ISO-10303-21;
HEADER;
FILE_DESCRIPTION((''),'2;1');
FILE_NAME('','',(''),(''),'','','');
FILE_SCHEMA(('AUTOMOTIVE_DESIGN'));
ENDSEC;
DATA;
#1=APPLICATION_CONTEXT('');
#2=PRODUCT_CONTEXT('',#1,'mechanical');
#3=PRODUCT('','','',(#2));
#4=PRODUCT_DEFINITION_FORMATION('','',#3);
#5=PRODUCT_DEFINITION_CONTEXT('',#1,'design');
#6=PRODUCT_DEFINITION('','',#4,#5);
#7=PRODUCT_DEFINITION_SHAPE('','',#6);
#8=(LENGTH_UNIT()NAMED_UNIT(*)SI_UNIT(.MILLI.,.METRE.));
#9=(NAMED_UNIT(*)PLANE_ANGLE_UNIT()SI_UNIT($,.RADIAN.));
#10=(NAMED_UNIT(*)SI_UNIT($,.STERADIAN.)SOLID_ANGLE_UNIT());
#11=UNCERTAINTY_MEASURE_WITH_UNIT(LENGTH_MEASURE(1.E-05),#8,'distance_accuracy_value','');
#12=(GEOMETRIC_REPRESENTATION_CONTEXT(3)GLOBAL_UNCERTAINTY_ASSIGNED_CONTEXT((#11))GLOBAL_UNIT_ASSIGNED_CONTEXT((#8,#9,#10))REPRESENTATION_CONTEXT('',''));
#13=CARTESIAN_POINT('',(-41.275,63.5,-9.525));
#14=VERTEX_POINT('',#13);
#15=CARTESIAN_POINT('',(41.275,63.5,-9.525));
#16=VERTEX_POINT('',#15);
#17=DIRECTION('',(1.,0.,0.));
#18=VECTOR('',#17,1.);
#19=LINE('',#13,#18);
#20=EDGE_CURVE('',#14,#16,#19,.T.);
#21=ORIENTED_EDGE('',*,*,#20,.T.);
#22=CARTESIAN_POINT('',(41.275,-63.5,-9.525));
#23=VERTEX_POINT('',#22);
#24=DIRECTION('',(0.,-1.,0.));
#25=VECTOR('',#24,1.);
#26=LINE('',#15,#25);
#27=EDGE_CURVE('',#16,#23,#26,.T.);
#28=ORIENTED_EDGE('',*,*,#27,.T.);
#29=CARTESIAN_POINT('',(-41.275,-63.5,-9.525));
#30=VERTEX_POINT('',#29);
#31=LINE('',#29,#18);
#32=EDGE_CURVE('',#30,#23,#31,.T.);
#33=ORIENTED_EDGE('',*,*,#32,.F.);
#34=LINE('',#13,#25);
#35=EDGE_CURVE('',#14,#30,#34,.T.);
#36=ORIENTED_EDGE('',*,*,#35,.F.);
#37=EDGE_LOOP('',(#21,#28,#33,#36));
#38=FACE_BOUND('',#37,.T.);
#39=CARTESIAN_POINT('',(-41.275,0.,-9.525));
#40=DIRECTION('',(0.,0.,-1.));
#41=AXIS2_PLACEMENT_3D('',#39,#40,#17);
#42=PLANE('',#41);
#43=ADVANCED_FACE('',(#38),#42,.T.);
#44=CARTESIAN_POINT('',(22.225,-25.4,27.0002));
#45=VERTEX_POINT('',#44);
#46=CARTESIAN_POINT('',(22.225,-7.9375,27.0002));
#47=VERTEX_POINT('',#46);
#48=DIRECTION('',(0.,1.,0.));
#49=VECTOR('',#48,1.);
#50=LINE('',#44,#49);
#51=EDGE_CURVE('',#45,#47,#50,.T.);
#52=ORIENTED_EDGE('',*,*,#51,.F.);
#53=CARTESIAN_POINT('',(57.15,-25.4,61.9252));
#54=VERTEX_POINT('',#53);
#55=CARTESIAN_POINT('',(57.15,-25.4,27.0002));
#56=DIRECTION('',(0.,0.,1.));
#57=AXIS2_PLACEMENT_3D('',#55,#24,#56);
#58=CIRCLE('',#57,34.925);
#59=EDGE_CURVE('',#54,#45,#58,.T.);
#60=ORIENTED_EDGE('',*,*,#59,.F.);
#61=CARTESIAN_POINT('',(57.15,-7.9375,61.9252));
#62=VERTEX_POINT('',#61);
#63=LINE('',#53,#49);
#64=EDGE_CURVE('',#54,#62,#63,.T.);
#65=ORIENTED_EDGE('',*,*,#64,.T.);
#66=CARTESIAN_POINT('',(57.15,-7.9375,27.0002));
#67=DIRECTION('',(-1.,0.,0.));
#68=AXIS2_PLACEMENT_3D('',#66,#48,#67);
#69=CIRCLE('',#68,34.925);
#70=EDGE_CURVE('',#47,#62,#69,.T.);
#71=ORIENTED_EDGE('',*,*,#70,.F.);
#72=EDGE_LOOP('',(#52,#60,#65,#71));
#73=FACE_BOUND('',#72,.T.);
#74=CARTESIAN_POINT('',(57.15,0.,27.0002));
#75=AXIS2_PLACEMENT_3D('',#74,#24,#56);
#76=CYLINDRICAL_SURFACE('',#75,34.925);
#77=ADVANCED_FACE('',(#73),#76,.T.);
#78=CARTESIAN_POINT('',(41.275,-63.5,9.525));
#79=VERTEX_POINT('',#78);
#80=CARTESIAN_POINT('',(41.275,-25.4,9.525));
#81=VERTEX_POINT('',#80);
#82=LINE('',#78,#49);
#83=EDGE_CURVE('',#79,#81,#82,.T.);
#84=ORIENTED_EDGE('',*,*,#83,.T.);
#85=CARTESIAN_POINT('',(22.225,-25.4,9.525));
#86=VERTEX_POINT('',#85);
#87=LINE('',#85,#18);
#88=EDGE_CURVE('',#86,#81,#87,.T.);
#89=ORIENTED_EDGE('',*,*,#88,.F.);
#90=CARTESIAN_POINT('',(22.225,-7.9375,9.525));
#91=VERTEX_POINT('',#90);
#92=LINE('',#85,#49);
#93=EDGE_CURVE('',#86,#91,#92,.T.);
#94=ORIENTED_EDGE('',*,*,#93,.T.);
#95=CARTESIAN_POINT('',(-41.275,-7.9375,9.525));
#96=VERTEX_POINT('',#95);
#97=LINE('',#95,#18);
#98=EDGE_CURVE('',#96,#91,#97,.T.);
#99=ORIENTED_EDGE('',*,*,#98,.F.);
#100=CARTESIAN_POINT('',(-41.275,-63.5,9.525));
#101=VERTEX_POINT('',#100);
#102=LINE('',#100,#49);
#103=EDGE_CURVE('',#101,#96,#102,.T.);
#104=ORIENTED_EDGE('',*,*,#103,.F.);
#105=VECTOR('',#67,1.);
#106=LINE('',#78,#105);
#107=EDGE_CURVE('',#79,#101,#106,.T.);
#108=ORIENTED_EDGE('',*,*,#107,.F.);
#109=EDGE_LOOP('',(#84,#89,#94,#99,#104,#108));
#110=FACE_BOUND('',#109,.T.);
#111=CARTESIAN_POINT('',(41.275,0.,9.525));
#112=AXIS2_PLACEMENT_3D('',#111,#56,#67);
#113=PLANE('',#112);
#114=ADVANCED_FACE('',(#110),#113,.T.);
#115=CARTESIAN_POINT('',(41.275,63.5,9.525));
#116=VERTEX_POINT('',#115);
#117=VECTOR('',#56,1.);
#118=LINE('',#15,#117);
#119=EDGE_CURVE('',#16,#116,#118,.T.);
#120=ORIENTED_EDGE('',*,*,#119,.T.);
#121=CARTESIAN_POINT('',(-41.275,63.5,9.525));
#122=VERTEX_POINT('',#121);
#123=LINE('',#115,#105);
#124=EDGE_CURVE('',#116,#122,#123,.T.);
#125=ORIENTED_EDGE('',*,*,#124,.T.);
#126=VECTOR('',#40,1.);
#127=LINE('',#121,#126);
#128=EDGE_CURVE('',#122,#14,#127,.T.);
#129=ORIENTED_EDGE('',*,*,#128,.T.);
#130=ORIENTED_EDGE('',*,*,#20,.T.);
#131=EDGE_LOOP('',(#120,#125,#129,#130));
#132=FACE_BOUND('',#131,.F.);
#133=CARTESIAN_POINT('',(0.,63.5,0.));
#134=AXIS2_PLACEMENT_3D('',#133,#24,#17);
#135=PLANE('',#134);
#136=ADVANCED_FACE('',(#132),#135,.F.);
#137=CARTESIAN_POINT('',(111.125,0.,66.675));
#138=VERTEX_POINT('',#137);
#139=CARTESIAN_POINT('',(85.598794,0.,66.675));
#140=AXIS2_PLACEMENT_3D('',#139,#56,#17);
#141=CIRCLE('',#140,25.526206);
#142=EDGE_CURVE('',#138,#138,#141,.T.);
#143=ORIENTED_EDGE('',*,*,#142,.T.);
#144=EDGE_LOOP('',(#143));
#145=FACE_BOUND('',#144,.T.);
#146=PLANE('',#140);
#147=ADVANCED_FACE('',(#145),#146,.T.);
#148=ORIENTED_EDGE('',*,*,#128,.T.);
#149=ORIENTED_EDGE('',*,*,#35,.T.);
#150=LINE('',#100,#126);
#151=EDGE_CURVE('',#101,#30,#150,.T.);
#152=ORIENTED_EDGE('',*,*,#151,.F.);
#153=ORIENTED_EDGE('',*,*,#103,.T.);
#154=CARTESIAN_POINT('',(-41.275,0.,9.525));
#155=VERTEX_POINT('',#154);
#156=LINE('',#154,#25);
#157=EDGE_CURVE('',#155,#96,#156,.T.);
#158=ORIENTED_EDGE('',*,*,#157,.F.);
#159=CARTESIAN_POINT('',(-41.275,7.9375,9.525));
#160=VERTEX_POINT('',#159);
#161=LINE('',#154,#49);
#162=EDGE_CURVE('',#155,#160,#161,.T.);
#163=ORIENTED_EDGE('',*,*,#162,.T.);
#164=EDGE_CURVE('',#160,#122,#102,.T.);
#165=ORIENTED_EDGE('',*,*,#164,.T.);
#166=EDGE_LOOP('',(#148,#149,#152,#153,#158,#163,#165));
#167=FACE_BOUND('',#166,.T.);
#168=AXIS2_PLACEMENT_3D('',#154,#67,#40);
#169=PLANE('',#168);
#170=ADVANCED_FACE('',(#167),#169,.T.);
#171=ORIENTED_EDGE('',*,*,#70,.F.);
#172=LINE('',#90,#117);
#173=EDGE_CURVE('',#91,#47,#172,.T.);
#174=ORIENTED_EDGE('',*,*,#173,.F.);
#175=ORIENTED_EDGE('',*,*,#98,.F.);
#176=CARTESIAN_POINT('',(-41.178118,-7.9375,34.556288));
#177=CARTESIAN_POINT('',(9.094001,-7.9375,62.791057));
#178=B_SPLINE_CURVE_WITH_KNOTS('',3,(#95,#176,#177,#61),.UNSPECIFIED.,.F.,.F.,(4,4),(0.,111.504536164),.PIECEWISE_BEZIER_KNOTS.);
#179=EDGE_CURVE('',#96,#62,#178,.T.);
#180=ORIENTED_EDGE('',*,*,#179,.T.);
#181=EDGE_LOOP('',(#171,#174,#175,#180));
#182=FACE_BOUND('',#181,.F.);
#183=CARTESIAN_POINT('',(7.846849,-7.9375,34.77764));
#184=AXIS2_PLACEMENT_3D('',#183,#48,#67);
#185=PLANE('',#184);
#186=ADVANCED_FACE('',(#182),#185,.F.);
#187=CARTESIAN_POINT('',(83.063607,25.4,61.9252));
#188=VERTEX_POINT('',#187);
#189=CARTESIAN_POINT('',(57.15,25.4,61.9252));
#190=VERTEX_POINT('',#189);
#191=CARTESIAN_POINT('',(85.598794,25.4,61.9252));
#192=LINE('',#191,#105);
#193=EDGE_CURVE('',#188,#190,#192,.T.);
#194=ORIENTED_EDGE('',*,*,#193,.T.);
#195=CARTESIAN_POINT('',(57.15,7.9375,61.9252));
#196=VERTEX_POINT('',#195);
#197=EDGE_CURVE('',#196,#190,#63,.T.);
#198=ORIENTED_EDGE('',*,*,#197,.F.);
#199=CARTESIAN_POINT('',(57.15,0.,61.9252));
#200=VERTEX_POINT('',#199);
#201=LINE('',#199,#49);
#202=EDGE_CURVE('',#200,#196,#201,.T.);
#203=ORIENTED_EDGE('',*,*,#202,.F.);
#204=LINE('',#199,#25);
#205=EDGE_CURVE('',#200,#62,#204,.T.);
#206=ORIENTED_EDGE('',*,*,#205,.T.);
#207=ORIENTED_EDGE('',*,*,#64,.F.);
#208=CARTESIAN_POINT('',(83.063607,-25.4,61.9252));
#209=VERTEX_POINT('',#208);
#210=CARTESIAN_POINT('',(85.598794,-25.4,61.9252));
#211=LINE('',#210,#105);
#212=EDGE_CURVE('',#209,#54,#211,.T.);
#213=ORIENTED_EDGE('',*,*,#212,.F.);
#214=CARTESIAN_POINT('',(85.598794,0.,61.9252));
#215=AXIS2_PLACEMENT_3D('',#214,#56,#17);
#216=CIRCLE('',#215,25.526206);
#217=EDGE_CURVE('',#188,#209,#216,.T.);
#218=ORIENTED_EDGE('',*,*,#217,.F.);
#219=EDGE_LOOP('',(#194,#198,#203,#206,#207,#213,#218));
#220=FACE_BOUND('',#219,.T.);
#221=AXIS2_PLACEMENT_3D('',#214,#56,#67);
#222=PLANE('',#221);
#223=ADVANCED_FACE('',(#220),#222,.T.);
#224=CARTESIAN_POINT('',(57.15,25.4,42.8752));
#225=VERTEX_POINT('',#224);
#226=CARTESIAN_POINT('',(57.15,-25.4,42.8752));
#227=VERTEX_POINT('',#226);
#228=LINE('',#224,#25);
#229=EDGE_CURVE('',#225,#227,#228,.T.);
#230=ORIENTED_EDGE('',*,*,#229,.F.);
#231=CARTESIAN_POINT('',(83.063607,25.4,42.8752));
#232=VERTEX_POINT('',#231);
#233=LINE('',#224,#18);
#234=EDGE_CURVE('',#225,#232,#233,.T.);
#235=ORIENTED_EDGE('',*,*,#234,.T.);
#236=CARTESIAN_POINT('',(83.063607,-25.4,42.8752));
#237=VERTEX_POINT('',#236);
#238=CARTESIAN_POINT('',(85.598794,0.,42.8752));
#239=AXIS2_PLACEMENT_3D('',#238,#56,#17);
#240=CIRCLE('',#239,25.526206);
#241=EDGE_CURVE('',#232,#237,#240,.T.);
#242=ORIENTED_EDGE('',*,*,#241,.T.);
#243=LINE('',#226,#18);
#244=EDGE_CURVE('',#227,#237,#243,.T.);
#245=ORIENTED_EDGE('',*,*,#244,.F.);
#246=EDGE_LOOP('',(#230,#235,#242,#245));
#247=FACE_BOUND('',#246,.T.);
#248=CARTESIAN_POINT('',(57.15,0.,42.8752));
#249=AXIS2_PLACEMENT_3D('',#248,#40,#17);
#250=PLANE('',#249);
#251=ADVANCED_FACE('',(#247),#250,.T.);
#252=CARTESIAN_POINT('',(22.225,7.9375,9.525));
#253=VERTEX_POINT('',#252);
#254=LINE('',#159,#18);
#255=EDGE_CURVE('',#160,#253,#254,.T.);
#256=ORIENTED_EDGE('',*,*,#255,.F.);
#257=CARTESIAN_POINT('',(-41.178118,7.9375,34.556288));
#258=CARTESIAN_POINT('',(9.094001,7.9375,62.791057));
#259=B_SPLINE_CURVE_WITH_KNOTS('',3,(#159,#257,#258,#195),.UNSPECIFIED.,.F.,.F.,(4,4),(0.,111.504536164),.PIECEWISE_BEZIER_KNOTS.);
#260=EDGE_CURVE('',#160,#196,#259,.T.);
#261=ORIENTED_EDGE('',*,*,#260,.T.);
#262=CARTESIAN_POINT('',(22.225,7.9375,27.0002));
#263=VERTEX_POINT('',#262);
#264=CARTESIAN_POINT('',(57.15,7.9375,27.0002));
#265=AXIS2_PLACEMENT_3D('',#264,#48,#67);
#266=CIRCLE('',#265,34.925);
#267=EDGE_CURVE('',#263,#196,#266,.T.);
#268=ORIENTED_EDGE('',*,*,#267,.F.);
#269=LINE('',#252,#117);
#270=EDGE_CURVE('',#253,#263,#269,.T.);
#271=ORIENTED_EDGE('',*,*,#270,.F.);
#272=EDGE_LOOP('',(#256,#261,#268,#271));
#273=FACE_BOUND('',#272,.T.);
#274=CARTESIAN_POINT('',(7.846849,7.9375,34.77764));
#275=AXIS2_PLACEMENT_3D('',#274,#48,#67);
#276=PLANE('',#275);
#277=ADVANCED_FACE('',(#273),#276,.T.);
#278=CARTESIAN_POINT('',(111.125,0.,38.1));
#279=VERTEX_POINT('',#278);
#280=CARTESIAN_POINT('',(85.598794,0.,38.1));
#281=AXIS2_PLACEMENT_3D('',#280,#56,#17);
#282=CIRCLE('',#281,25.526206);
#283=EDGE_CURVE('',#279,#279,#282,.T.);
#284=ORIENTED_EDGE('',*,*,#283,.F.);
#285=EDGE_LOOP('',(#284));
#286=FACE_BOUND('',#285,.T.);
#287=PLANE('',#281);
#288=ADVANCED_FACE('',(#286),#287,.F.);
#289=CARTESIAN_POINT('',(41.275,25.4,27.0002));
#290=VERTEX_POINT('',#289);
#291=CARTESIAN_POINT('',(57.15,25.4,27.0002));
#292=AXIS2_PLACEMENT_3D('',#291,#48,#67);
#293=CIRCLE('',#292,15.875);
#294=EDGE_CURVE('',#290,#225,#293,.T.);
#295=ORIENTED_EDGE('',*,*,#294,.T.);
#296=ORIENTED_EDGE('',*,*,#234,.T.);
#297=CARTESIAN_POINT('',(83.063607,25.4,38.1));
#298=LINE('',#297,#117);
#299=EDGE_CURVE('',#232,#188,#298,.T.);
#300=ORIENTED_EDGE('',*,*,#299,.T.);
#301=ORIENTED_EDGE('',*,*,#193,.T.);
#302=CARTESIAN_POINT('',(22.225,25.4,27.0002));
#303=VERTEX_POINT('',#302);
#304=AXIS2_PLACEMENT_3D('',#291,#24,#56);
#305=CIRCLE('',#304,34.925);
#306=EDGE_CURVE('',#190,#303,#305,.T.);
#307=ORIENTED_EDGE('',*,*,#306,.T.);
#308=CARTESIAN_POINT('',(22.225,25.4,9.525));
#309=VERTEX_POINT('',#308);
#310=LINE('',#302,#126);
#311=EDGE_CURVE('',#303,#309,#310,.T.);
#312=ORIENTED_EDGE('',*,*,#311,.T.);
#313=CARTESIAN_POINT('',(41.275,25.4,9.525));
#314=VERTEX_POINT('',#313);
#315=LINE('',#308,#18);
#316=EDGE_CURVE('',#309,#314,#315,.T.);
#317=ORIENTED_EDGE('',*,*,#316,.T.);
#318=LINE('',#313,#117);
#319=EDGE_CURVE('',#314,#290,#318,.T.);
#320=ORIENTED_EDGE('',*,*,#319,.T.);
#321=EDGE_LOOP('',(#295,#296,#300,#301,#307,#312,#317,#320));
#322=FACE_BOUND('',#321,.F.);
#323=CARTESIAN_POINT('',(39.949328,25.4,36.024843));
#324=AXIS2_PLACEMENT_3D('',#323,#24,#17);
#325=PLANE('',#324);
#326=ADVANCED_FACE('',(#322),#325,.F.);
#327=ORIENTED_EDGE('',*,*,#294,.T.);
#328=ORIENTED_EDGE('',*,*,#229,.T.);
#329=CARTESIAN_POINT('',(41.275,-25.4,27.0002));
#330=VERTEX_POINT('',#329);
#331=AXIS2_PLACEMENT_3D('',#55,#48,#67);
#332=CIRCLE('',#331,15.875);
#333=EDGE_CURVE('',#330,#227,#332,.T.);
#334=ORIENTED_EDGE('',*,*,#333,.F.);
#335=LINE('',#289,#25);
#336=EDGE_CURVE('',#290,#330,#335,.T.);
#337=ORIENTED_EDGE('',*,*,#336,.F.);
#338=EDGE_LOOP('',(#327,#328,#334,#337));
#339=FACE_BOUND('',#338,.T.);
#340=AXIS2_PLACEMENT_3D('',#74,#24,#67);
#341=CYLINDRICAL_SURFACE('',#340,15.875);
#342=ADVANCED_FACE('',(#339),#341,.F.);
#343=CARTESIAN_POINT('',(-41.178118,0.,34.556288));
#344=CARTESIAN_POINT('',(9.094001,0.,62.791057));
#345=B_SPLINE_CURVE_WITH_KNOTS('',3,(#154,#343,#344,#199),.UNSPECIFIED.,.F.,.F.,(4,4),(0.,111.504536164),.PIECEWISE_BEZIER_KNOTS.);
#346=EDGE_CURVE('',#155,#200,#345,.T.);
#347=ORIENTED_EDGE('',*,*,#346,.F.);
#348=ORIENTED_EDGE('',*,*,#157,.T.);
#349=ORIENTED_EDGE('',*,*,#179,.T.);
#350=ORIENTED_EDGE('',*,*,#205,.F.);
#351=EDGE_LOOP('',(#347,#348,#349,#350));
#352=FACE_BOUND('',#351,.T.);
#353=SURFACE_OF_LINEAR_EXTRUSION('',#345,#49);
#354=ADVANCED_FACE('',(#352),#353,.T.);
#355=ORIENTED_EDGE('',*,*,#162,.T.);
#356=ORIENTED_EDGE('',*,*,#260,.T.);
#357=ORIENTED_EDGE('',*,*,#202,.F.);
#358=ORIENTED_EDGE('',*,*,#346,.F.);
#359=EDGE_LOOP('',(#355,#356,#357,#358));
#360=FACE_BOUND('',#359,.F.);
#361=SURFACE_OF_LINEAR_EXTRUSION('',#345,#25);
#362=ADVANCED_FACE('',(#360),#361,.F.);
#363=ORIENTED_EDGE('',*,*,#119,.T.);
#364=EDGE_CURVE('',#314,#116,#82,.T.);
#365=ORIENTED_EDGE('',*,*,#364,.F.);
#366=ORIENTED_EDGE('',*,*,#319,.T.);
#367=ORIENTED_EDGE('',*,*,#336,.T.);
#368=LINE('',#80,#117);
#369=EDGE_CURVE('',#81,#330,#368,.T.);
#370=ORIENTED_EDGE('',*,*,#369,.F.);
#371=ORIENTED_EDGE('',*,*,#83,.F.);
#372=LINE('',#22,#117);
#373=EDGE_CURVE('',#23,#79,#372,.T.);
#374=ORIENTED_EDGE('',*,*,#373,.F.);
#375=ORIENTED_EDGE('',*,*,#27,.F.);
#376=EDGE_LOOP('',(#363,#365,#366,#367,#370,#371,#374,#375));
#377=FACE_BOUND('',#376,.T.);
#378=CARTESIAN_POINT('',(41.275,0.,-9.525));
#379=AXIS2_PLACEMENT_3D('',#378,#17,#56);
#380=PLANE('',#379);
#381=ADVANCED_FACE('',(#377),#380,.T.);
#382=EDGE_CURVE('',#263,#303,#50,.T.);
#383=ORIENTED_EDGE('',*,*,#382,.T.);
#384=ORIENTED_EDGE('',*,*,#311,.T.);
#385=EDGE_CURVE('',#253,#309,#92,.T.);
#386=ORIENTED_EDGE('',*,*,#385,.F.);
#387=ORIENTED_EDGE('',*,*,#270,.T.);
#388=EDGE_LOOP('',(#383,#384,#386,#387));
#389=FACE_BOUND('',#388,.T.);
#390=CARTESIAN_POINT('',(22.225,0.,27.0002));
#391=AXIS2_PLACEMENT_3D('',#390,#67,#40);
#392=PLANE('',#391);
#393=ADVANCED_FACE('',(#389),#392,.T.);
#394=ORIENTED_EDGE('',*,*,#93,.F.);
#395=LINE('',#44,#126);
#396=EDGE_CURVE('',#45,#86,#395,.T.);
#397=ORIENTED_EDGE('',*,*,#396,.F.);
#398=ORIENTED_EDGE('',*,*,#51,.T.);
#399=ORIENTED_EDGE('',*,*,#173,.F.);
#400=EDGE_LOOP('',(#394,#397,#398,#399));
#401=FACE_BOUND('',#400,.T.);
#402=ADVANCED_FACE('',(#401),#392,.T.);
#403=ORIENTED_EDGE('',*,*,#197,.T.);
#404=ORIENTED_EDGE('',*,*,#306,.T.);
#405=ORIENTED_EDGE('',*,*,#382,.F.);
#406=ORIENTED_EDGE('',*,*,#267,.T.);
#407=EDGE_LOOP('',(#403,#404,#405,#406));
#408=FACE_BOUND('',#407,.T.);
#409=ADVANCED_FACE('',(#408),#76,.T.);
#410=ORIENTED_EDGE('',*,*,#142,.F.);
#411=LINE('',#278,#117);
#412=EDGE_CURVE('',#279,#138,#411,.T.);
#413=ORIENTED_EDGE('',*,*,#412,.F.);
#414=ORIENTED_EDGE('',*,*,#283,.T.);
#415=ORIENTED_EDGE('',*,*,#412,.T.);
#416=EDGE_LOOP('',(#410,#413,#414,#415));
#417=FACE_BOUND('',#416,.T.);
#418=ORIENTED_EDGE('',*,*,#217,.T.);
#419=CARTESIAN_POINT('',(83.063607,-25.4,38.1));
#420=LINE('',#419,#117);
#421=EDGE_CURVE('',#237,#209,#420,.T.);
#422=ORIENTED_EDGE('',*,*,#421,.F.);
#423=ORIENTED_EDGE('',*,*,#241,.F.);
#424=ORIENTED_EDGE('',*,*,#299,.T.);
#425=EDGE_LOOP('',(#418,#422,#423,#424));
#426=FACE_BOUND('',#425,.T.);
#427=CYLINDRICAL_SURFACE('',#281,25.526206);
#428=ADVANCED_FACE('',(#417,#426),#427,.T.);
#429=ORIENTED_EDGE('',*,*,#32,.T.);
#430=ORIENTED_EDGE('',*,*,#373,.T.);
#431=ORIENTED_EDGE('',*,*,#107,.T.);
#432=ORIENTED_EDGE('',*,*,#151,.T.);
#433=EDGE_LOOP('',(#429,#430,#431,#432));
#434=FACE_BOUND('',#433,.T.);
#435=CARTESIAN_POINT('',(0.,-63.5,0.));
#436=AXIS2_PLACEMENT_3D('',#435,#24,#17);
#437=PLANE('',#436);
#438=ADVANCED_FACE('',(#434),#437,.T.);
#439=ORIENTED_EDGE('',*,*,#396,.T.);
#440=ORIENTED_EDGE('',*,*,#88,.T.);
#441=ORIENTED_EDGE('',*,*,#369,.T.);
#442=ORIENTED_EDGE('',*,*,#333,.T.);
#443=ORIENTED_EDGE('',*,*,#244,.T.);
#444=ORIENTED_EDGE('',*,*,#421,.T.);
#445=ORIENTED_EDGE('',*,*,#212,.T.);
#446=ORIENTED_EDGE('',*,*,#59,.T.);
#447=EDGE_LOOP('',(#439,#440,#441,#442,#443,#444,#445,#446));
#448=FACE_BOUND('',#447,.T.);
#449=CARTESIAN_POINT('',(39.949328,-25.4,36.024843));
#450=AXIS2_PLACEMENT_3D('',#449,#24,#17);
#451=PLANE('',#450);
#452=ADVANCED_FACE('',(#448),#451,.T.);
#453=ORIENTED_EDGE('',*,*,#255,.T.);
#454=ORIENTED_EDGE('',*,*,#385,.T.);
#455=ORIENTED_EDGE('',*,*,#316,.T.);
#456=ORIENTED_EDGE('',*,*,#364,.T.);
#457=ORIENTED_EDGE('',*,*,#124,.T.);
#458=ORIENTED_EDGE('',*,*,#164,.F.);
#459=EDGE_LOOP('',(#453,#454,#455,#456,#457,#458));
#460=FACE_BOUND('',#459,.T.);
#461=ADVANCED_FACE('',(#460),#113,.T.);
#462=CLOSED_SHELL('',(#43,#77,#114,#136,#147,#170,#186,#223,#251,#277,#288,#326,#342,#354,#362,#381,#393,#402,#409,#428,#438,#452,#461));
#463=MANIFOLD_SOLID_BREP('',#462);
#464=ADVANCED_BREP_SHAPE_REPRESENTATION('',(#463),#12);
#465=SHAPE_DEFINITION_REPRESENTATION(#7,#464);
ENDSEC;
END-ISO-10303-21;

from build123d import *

# Parameters (mm, degrees)
F1_DEPTH = 63.5
F0_W     = 25.2737943477
F0_H     = 19.05
F2_DEPTH = 25.4
F3_DEPTH = 7.9375


with BuildPart() as f1:
    # F0 (on Front) → F1 (new body, symmetric)
    with BuildSketch(Plane.XZ):
        Polygon((-41.275, 9.525), (-41.275, -9.525), (41.275, -9.525), (41.275, 9.525), (22.225, 9.525), align=None)
    extrude(amount=F1_DEPTH, both=True)

    # F0 (on Front) → F2 (join, symmetric)
    with BuildSketch(Plane.XZ):
        with BuildLine():
            Line((22.225, 9.525), (41.275, 9.525))
            Line((41.275, 9.525), (41.275, 27.0002))
            ThreePointArc((41.275, 27.0002), (45.9246798487, 38.2255201513), (57.15, 42.8752))
            Line((57.15, 42.8752), (60.325, 42.8752))
            Line((60.325, 42.8752), (60.325, 61.9252))
            Line((60.325, 61.9252), (57.15, 61.9252))
            ThreePointArc((57.15, 61.9252), (32.4542956671, 51.6959043329), (22.225, 27.0002))
            Line((22.225, 27.0002), (22.225, 9.525))
        make_face()
        with Locations((72.9618971738, 52.4002)):
            Rectangle(F0_W, F0_H)
    extrude(amount=F2_DEPTH, both=True)

    # F0 (on Front) → F3 (join, symmetric)
    with BuildSketch(Plane.XZ):
        with BuildLine():
            add(Edge.make_bspline(
                [(-41.275, 9.525), (-41.1781184375, 34.5562882721), (9.094000794, 62.791056931), (57.15, 61.9252)],
                knots=[0, 0, 0, 0, 111.5045361635, 111.5045361635, 111.5045361635, 111.5045361635], degree=3))
            Line((-41.275, 9.525), (22.225, 9.525))
            Line((22.225, 9.525), (22.225, 27.0002))
            ThreePointArc((22.225, 27.0002), (32.4542956671, 51.6959043329), (57.15, 61.9252))
        make_face()
    extrude(amount=F3_DEPTH, both=True)

    # F0 (on Front) → F4 (revolve)
    with BuildSketch(Plane.XZ):
        Polygon((85.5987943477, 66.675), (85.5987943477, 61.9252), (85.5987943477, 42.8752), (85.5987943477, 38.1), (111.125, 38.1), (111.125, 66.675), align=None)
    revolve(axis=Axis((85.5987943477, 0, 52.3875), (0, 0, 1)))


solid = f1.part
